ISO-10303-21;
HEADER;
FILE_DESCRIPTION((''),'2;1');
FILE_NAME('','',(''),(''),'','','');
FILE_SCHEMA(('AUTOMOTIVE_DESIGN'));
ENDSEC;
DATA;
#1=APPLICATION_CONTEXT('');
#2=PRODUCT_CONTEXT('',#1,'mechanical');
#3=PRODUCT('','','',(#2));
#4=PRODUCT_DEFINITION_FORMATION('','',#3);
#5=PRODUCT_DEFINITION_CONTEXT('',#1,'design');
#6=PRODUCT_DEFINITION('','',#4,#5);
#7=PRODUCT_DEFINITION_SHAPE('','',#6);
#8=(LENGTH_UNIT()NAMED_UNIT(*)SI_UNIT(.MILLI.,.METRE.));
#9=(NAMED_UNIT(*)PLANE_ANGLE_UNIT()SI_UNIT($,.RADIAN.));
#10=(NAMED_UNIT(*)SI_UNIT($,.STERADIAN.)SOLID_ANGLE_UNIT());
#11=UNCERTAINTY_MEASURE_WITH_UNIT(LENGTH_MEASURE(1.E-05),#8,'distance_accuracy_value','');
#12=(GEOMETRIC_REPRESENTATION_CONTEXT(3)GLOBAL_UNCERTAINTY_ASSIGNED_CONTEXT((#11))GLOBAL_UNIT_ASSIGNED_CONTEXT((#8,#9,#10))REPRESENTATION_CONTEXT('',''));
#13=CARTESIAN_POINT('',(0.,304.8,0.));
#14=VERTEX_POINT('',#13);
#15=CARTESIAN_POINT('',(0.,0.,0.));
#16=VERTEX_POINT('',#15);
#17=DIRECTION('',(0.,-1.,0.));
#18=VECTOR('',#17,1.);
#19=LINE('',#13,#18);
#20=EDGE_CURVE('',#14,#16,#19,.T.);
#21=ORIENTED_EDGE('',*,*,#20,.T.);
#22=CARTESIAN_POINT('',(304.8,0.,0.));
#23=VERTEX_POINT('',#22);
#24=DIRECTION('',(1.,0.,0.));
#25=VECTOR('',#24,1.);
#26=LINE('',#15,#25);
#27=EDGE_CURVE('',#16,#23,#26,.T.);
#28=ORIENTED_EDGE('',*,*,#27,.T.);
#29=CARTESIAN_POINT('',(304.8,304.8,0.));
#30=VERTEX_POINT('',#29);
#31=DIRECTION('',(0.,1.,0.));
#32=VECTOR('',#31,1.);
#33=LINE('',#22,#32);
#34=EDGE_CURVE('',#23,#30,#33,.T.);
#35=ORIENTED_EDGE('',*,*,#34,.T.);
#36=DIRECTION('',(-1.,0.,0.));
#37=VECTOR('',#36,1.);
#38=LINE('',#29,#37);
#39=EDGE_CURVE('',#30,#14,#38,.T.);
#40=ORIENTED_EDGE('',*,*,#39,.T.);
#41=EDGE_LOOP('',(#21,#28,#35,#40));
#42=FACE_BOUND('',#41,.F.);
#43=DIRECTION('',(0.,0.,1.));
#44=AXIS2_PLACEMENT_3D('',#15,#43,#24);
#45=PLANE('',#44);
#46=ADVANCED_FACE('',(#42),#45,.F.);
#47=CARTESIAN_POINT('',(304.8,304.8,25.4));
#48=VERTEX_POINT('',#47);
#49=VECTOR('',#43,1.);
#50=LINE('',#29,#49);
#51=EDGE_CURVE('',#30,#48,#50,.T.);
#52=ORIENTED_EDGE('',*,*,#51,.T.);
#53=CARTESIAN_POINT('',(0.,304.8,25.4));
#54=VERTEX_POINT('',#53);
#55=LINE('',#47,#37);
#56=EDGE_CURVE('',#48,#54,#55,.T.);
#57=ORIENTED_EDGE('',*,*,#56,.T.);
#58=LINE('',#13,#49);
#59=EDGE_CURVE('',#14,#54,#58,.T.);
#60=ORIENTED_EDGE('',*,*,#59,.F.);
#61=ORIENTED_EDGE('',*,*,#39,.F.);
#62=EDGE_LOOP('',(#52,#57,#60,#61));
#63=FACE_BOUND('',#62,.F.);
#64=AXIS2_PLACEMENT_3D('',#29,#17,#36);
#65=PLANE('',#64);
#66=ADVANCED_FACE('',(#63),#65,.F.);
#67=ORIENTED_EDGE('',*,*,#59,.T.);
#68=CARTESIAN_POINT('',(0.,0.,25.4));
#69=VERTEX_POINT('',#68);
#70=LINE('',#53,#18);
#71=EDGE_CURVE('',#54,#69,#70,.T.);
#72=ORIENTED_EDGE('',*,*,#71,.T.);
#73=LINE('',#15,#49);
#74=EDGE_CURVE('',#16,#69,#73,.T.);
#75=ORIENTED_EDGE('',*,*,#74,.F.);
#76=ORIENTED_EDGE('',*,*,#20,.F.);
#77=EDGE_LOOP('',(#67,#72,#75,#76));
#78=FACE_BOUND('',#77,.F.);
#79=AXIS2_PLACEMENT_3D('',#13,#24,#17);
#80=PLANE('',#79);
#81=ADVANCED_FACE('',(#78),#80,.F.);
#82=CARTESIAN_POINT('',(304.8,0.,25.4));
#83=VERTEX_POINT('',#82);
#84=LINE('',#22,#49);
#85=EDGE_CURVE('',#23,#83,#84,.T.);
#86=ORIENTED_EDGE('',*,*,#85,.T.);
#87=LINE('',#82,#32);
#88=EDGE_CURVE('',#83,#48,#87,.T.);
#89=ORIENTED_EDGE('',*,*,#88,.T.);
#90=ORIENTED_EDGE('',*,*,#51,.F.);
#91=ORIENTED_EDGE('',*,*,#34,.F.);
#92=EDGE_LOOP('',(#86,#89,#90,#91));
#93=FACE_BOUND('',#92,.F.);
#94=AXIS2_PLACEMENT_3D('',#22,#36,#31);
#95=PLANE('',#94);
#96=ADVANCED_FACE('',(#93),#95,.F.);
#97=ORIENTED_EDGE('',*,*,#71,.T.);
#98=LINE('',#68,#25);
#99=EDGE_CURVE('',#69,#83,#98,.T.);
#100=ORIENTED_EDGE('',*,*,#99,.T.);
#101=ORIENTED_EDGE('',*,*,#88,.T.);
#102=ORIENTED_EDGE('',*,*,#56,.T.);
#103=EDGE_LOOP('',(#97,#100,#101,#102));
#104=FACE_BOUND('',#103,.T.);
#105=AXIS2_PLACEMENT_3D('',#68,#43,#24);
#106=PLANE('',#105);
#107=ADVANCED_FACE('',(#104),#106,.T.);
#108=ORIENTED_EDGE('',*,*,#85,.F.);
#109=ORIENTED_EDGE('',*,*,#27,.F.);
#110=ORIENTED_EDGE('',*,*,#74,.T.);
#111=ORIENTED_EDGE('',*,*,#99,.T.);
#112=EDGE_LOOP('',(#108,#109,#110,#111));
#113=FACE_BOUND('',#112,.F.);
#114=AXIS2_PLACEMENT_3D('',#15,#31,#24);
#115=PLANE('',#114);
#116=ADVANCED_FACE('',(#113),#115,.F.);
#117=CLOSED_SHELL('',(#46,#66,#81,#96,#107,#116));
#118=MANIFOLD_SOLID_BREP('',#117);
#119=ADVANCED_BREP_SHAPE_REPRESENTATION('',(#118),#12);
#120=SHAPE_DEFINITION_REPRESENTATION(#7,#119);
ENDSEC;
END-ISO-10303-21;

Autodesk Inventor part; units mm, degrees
ref_plane "YZ Plane" through (0, 0, 0) normal (1, 0, 0) x (0, 1, 0)
ref_plane "XZ Plane" through (0, 0, 0) normal (0, 1, 0) x (-1, 0, 0)
ref_plane "XY Plane" through (0, 0, 0) normal (0, 0, 1) x (1, 0, 0)
sketch "Sketch1" plane through (0, 0, 0) normal (0, 0, 1) x (1, 0, 0)
  line L0 (0, 0) -> (304.8, 0)
  line L1 (304.8, 0) -> (304.8, 304.8)
  line L2 (304.8, 304.8) -> (0, 304.8)
  line L3 (0, 304.8) -> (0, 0)
  dimension "d0" = 304.8
  dimension "d1" = 304.8
extrude "Extrusion1" add sketch "Sketch1" along normal blind 25.4
properties part number "Standard - Verona" material "Limestone"
